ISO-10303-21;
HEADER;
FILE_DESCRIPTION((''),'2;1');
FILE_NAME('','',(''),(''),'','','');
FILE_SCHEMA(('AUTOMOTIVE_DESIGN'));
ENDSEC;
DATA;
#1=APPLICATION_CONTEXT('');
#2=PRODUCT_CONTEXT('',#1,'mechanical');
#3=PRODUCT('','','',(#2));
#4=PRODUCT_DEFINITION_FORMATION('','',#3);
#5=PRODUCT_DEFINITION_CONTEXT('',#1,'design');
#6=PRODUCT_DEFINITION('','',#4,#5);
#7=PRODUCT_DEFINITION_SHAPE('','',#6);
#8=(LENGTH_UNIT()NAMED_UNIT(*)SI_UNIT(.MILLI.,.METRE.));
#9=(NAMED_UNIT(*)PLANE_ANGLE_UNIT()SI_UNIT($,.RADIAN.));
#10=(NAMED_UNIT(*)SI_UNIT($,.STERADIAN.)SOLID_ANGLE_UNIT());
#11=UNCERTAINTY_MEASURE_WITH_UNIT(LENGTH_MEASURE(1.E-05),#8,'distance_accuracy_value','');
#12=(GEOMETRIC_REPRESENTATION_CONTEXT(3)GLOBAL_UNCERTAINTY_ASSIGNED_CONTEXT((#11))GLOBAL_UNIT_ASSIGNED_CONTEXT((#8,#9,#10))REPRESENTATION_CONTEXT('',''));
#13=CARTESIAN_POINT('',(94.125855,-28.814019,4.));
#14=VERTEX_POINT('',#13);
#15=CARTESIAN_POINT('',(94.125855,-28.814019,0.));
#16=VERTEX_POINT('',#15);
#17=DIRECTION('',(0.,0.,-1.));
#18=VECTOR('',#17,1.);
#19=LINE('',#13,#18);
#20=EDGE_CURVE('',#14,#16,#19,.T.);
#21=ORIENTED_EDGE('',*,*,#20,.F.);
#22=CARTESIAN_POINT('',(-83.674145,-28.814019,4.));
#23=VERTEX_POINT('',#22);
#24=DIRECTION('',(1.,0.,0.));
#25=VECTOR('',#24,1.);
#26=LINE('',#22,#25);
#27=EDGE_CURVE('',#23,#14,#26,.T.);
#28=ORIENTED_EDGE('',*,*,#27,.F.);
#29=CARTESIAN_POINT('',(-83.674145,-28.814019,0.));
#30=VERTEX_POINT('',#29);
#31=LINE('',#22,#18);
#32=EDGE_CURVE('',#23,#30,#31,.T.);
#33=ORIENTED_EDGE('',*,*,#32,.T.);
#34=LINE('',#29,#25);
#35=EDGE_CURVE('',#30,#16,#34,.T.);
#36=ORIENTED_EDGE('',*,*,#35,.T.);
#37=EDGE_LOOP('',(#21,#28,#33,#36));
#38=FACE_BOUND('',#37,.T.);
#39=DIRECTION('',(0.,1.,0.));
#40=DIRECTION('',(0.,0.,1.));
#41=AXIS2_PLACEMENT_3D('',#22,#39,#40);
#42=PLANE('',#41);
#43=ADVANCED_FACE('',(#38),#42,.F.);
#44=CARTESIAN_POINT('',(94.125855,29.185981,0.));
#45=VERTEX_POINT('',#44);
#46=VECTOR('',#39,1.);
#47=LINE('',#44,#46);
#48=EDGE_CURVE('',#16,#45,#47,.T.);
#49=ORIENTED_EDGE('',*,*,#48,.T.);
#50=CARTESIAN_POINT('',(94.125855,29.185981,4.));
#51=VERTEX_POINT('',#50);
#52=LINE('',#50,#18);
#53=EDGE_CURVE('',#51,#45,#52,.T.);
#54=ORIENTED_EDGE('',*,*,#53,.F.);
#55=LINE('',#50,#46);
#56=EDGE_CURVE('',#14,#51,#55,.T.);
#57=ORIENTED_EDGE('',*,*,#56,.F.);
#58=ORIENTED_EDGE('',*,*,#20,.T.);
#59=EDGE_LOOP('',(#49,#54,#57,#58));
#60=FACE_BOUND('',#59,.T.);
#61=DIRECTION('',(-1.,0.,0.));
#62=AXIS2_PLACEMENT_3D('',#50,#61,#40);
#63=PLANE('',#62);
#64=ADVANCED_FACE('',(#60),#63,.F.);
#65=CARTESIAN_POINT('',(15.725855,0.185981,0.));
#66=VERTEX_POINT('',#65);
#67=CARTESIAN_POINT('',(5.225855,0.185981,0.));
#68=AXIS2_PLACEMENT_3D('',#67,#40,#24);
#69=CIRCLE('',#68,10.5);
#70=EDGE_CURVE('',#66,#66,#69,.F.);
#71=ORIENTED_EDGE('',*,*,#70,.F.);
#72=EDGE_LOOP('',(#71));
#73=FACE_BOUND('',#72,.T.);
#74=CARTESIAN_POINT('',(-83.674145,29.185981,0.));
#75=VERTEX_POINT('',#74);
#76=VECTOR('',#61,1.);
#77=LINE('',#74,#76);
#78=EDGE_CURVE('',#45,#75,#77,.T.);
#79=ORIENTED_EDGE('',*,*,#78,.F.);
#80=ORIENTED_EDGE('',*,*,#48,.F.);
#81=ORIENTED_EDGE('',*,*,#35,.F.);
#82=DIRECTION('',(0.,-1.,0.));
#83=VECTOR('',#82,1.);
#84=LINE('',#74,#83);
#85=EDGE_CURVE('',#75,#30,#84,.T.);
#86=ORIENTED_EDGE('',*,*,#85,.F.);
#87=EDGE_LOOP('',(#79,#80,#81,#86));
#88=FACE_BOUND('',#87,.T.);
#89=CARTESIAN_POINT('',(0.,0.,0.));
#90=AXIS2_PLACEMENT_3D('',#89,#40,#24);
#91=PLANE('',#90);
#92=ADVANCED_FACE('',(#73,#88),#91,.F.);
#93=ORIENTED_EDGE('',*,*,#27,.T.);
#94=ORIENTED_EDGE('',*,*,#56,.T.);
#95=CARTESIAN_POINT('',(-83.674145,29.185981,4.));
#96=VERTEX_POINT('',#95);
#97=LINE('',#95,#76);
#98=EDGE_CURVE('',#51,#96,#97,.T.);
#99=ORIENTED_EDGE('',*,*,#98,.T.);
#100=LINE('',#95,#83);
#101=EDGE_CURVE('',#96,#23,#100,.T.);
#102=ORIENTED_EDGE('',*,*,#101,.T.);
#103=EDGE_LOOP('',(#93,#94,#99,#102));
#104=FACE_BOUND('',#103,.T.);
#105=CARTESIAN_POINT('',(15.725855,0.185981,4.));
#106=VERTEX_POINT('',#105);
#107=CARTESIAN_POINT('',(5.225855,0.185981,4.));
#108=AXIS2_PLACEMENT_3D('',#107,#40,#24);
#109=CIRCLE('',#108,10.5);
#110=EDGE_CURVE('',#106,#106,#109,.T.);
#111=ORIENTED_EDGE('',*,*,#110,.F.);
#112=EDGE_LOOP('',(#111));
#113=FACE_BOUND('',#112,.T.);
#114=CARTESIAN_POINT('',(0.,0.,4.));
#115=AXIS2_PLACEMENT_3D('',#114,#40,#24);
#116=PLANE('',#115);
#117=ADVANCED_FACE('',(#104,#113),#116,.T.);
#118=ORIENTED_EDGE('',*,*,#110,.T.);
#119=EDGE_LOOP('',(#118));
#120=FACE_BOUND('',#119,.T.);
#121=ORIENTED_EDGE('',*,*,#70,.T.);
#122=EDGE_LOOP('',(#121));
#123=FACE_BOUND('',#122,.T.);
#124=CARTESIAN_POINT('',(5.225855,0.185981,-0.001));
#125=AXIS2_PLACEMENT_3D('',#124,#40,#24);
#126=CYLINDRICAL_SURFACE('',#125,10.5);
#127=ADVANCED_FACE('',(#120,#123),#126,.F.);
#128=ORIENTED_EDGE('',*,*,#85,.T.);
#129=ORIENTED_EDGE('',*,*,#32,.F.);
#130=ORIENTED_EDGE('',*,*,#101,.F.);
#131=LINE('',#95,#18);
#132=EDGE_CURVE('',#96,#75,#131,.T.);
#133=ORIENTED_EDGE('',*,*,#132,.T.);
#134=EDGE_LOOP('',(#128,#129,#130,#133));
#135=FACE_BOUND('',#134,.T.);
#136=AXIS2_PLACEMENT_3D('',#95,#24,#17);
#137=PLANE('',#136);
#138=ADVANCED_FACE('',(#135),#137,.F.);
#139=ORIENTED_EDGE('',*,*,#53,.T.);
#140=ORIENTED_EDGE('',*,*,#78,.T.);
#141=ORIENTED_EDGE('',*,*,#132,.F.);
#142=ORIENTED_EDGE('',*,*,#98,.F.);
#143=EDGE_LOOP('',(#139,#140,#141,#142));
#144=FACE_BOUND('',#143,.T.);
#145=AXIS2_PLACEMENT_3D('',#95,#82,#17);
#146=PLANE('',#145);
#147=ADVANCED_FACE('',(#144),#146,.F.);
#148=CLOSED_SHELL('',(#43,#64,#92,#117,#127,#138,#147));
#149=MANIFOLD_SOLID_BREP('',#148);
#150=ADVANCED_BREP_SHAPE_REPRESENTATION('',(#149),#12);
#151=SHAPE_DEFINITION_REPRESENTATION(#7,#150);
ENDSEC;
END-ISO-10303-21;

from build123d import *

# Parameters (mm, degrees)
SKETCH2_W           = 177.8
SKETCH2_H           = 58
BOSS_EXTRUDE2_DEPTH = 4
CUT_EXTRUDE1_REACH  = 6
SKETCH3_R           = 10.5


with BuildPart() as part:
    # Sketch2 → Boss-Extrude2 (new body)
    with BuildSketch(Plane.XY):
        with Locations((5.225854908, 0.185980872)):
            Rectangle(SKETCH2_W, SKETCH2_H)
    extrude(amount=BOSS_EXTRUDE2_DEPTH)

    # Sketch3 → Cut-Extrude1 (cut, up to next)
    with BuildSketch(Plane.XY.offset(4), mode=Mode.PRIVATE) as cut_extrude1_sk1:
        with Locations((5.225854908, 0.185980872)):
            Circle(SKETCH3_R)
    cut_extrude1_tool1 = extrude(cut_extrude1_sk1.sketch, amount=-CUT_EXTRUDE1_REACH, mode=Mode.PRIVATE) & part.part
    add(cut_extrude1_tool1.solids().sort_by_distance((5.225855, 0.185981, 4))[0], mode=Mode.SUBTRACT)


solid = part.part
